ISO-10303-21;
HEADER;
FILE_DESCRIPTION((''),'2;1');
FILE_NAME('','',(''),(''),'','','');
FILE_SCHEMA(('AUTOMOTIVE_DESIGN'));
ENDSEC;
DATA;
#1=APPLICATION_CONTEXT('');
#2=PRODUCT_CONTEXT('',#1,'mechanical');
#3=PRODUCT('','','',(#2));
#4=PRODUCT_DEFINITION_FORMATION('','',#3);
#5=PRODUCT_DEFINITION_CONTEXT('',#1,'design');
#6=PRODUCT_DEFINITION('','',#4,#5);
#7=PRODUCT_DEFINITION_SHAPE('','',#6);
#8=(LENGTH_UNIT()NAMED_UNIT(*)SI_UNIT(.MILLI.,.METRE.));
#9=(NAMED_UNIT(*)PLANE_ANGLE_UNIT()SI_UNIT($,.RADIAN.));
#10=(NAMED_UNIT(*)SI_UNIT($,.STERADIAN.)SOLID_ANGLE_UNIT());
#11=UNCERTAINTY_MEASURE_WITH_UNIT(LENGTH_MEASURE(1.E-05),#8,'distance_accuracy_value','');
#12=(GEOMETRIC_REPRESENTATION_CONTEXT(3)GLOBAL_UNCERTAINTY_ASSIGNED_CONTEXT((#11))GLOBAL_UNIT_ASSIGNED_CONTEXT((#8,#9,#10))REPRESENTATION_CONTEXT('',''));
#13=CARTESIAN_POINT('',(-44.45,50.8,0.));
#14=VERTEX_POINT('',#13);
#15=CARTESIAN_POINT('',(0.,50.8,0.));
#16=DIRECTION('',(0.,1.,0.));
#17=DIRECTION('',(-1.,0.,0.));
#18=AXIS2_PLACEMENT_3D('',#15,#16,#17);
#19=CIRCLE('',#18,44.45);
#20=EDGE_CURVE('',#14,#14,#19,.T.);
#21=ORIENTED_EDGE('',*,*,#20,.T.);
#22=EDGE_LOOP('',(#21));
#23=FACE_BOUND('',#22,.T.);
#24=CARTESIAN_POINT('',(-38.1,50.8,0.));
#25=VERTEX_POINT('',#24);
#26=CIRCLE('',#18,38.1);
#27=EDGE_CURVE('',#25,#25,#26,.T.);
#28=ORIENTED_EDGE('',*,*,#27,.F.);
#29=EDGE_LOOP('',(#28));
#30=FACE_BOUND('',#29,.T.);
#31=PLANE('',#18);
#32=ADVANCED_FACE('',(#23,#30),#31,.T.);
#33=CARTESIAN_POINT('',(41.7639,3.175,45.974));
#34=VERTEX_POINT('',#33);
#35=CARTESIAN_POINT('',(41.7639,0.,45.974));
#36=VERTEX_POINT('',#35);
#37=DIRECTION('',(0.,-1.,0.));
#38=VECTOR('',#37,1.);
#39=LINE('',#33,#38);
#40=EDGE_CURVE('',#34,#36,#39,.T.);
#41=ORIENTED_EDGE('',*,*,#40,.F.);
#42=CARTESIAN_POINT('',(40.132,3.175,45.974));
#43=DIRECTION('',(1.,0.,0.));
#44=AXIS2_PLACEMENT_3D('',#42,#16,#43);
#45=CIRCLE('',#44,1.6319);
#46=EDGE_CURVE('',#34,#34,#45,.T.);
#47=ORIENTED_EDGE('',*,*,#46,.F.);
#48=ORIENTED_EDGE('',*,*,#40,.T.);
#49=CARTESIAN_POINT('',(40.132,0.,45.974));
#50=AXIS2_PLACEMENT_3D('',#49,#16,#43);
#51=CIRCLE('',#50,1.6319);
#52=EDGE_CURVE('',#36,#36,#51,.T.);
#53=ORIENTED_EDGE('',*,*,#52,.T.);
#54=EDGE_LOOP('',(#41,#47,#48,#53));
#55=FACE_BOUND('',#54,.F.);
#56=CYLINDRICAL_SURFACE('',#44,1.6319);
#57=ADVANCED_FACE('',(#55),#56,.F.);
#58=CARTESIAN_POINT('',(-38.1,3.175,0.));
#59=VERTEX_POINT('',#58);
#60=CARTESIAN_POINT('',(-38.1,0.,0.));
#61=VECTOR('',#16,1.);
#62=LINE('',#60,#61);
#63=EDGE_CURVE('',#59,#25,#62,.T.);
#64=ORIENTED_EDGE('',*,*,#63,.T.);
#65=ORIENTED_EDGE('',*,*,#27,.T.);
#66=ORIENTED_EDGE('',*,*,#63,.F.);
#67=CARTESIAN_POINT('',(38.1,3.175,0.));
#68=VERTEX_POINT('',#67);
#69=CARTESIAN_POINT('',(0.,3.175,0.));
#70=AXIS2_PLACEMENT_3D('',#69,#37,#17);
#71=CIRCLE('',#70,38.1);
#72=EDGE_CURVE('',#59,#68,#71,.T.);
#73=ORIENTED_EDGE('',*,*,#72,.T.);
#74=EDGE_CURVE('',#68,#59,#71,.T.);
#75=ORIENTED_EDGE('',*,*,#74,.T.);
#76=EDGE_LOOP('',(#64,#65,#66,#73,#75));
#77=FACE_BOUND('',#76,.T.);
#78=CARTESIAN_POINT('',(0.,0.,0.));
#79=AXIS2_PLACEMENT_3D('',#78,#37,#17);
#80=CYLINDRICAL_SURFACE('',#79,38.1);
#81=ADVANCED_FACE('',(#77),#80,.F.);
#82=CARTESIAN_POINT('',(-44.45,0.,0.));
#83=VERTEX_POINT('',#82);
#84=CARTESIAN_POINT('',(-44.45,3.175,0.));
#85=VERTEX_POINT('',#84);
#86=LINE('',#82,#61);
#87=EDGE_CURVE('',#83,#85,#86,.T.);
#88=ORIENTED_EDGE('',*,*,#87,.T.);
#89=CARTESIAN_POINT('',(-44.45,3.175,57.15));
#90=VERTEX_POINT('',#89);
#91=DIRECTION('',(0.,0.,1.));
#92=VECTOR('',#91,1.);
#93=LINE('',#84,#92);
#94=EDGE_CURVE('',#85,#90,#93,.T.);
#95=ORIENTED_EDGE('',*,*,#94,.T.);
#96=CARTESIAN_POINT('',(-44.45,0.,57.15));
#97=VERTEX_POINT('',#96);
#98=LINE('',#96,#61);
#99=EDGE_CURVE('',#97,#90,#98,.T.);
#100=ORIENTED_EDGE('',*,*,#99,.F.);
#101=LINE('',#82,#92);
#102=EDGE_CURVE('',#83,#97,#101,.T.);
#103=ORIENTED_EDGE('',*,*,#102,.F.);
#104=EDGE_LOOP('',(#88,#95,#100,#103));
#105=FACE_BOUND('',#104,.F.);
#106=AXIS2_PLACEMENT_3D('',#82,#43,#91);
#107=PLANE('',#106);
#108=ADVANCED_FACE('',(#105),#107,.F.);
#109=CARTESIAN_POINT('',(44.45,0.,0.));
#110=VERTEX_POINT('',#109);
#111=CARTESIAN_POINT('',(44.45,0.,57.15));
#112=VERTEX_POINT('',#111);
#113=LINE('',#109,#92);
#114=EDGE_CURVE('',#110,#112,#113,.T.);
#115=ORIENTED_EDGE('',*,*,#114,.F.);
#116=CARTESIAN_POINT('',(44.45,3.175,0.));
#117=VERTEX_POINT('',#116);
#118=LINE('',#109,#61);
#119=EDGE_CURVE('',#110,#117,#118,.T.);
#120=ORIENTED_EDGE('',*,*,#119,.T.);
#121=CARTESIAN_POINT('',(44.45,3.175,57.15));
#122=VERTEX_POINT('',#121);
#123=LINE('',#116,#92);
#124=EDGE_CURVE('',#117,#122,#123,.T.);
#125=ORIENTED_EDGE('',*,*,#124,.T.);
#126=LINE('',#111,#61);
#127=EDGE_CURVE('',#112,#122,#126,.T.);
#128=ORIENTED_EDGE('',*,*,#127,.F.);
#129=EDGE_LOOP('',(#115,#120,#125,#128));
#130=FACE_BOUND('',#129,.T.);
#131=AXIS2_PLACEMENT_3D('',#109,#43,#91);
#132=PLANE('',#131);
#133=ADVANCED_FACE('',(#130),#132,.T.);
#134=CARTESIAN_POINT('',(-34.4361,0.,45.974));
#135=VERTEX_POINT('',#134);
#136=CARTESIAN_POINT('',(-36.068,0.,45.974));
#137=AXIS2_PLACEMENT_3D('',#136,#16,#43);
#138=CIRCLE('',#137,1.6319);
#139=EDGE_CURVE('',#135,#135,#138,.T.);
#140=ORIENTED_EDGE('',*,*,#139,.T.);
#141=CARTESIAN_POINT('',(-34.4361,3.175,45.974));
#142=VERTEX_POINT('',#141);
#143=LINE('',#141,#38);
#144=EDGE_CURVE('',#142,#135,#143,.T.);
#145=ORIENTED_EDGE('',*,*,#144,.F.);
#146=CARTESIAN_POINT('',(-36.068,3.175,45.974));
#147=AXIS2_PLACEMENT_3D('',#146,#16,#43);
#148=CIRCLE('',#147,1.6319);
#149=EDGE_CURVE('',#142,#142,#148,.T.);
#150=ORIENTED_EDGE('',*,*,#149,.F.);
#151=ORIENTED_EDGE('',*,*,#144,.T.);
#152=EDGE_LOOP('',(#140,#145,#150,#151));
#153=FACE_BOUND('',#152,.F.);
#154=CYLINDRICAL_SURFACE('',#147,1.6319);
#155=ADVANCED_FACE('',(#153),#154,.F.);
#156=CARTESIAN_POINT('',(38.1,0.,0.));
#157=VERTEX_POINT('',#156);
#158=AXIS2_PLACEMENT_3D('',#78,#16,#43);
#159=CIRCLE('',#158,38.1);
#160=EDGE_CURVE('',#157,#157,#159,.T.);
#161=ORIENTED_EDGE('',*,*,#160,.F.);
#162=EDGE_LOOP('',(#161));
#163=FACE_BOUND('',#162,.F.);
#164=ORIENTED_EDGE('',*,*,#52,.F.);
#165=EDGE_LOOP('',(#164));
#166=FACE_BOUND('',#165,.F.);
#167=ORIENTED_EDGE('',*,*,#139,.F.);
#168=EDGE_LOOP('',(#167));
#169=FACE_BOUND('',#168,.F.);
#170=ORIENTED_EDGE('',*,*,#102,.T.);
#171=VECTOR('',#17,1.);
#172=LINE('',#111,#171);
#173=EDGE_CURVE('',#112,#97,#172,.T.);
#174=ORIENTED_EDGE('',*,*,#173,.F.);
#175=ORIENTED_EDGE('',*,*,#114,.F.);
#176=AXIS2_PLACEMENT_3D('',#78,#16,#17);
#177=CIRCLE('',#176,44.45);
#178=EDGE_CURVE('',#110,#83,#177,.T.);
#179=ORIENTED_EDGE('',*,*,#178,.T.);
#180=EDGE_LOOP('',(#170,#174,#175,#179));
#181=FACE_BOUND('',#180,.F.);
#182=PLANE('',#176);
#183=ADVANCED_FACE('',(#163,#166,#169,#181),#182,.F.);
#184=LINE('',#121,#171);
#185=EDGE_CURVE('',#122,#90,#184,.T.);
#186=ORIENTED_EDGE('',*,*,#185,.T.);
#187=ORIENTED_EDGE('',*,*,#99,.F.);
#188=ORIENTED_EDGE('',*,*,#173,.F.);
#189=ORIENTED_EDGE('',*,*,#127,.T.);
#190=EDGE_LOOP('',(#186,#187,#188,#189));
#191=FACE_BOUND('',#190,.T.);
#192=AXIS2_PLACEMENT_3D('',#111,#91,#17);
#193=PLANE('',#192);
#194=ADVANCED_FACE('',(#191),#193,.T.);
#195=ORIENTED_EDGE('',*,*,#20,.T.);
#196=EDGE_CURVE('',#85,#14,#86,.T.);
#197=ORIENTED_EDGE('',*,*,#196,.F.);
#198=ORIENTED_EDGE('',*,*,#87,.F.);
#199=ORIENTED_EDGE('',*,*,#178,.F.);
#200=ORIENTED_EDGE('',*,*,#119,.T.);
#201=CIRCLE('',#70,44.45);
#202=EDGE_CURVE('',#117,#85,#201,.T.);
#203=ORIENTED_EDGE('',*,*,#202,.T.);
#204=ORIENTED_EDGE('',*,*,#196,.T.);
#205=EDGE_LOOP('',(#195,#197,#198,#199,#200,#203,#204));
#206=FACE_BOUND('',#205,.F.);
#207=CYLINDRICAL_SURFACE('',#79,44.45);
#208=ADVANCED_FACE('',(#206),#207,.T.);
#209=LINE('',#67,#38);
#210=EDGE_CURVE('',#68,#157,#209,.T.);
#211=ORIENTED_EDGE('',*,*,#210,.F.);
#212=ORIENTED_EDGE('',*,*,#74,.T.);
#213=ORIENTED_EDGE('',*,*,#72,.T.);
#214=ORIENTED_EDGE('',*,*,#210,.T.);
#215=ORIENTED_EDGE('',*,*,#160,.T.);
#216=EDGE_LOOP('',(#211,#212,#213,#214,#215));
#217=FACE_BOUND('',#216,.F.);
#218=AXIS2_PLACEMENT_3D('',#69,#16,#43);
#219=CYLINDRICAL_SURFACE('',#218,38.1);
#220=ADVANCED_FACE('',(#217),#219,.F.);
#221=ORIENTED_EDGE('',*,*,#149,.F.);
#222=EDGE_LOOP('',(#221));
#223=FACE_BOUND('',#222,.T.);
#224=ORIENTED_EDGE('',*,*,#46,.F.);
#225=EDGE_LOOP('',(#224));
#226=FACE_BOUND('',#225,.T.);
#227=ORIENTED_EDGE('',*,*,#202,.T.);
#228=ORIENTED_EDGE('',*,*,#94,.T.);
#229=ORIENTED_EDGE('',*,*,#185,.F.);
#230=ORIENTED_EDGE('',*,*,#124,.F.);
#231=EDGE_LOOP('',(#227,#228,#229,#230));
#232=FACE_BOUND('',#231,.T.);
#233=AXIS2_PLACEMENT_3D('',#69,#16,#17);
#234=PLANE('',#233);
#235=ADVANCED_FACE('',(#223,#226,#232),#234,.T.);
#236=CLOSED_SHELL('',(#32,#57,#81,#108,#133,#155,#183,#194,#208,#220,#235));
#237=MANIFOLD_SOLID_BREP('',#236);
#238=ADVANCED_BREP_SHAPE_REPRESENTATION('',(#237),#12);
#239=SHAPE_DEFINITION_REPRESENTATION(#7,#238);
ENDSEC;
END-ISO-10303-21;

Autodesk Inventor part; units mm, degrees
ref_plane "YZ Plane" through (0, 0, 0) normal (1, 0, 0) x (0, 1, 0)
ref_plane "XZ Plane" through (0, 0, 0) normal (0, 1, 0) x (-1, 0, 0)
ref_plane "XY Plane" through (0, 0, 0) normal (0, 0, 1) x (1, 0, 0)
sketch "Sketch1" plane through (0, 0, 0) normal (0, 1, 0) x (-1, 0, 0)
  circle A0 centre (0, 0) radius 38.1
  circle A1 centre (0, 0) radius 44.45
  dimension "d0" = 76.2
  dimension "d1" = 88.9
sketch "Sketch2" plane through (0, 0, 0) normal (0, 1, 0) x (-1, 0, 0)
  circle A0 centre (0, 0) radius 44.45 projected
  line L0 (44.45, 0) -> (44.45, 57.15)
  line L1 (-44.45, 0) -> (-44.45, 57.15)
  line L2 (-44.45, 57.15) -> (44.45, 57.15)
  dimension "d8" = 57.15
extrude "Extrusion1" add sketch "Sketch1" along normal blind 50.8
extrude "Extrusion2" add sketch "Sketch2" along normal blind 3.175
sketch "Sketch3" plane through (0, 3.175, 0) normal (0, 1, 0) x (1, 0, 0)
  circle A0 centre (0, 0) radius 38.1
extrude "Extrusion3" cut sketch "Sketch3" against normal blind 3.175
sketch "Sketch4" plane through (0, 3.175, 0) normal (0, 1, 0) x (1, 0, 0)
  circle A0 centre (-36.068, -45.974) radius 1.6319
  line L0 (-44.45, 0) -> (-44.45, -57.15) projected
  line L1 (-44.45, -57.15) -> (44.45, -57.15) projected
  circle A1 centre (40.132, -45.974) radius 1.6319
  point P0 (0, 0)
  dimension "d11" = 3.2639
  dimension "d12" = 8.382
  dimension "d13" = 11.176
  dimension "d14" = 3.2639
  dimension "d15" = 76.2
  dimension "d16" = 0
extrude "Extrusion4" cut sketch "Sketch4" against normal blind 3.175
properties part number "Battery_holder2"
